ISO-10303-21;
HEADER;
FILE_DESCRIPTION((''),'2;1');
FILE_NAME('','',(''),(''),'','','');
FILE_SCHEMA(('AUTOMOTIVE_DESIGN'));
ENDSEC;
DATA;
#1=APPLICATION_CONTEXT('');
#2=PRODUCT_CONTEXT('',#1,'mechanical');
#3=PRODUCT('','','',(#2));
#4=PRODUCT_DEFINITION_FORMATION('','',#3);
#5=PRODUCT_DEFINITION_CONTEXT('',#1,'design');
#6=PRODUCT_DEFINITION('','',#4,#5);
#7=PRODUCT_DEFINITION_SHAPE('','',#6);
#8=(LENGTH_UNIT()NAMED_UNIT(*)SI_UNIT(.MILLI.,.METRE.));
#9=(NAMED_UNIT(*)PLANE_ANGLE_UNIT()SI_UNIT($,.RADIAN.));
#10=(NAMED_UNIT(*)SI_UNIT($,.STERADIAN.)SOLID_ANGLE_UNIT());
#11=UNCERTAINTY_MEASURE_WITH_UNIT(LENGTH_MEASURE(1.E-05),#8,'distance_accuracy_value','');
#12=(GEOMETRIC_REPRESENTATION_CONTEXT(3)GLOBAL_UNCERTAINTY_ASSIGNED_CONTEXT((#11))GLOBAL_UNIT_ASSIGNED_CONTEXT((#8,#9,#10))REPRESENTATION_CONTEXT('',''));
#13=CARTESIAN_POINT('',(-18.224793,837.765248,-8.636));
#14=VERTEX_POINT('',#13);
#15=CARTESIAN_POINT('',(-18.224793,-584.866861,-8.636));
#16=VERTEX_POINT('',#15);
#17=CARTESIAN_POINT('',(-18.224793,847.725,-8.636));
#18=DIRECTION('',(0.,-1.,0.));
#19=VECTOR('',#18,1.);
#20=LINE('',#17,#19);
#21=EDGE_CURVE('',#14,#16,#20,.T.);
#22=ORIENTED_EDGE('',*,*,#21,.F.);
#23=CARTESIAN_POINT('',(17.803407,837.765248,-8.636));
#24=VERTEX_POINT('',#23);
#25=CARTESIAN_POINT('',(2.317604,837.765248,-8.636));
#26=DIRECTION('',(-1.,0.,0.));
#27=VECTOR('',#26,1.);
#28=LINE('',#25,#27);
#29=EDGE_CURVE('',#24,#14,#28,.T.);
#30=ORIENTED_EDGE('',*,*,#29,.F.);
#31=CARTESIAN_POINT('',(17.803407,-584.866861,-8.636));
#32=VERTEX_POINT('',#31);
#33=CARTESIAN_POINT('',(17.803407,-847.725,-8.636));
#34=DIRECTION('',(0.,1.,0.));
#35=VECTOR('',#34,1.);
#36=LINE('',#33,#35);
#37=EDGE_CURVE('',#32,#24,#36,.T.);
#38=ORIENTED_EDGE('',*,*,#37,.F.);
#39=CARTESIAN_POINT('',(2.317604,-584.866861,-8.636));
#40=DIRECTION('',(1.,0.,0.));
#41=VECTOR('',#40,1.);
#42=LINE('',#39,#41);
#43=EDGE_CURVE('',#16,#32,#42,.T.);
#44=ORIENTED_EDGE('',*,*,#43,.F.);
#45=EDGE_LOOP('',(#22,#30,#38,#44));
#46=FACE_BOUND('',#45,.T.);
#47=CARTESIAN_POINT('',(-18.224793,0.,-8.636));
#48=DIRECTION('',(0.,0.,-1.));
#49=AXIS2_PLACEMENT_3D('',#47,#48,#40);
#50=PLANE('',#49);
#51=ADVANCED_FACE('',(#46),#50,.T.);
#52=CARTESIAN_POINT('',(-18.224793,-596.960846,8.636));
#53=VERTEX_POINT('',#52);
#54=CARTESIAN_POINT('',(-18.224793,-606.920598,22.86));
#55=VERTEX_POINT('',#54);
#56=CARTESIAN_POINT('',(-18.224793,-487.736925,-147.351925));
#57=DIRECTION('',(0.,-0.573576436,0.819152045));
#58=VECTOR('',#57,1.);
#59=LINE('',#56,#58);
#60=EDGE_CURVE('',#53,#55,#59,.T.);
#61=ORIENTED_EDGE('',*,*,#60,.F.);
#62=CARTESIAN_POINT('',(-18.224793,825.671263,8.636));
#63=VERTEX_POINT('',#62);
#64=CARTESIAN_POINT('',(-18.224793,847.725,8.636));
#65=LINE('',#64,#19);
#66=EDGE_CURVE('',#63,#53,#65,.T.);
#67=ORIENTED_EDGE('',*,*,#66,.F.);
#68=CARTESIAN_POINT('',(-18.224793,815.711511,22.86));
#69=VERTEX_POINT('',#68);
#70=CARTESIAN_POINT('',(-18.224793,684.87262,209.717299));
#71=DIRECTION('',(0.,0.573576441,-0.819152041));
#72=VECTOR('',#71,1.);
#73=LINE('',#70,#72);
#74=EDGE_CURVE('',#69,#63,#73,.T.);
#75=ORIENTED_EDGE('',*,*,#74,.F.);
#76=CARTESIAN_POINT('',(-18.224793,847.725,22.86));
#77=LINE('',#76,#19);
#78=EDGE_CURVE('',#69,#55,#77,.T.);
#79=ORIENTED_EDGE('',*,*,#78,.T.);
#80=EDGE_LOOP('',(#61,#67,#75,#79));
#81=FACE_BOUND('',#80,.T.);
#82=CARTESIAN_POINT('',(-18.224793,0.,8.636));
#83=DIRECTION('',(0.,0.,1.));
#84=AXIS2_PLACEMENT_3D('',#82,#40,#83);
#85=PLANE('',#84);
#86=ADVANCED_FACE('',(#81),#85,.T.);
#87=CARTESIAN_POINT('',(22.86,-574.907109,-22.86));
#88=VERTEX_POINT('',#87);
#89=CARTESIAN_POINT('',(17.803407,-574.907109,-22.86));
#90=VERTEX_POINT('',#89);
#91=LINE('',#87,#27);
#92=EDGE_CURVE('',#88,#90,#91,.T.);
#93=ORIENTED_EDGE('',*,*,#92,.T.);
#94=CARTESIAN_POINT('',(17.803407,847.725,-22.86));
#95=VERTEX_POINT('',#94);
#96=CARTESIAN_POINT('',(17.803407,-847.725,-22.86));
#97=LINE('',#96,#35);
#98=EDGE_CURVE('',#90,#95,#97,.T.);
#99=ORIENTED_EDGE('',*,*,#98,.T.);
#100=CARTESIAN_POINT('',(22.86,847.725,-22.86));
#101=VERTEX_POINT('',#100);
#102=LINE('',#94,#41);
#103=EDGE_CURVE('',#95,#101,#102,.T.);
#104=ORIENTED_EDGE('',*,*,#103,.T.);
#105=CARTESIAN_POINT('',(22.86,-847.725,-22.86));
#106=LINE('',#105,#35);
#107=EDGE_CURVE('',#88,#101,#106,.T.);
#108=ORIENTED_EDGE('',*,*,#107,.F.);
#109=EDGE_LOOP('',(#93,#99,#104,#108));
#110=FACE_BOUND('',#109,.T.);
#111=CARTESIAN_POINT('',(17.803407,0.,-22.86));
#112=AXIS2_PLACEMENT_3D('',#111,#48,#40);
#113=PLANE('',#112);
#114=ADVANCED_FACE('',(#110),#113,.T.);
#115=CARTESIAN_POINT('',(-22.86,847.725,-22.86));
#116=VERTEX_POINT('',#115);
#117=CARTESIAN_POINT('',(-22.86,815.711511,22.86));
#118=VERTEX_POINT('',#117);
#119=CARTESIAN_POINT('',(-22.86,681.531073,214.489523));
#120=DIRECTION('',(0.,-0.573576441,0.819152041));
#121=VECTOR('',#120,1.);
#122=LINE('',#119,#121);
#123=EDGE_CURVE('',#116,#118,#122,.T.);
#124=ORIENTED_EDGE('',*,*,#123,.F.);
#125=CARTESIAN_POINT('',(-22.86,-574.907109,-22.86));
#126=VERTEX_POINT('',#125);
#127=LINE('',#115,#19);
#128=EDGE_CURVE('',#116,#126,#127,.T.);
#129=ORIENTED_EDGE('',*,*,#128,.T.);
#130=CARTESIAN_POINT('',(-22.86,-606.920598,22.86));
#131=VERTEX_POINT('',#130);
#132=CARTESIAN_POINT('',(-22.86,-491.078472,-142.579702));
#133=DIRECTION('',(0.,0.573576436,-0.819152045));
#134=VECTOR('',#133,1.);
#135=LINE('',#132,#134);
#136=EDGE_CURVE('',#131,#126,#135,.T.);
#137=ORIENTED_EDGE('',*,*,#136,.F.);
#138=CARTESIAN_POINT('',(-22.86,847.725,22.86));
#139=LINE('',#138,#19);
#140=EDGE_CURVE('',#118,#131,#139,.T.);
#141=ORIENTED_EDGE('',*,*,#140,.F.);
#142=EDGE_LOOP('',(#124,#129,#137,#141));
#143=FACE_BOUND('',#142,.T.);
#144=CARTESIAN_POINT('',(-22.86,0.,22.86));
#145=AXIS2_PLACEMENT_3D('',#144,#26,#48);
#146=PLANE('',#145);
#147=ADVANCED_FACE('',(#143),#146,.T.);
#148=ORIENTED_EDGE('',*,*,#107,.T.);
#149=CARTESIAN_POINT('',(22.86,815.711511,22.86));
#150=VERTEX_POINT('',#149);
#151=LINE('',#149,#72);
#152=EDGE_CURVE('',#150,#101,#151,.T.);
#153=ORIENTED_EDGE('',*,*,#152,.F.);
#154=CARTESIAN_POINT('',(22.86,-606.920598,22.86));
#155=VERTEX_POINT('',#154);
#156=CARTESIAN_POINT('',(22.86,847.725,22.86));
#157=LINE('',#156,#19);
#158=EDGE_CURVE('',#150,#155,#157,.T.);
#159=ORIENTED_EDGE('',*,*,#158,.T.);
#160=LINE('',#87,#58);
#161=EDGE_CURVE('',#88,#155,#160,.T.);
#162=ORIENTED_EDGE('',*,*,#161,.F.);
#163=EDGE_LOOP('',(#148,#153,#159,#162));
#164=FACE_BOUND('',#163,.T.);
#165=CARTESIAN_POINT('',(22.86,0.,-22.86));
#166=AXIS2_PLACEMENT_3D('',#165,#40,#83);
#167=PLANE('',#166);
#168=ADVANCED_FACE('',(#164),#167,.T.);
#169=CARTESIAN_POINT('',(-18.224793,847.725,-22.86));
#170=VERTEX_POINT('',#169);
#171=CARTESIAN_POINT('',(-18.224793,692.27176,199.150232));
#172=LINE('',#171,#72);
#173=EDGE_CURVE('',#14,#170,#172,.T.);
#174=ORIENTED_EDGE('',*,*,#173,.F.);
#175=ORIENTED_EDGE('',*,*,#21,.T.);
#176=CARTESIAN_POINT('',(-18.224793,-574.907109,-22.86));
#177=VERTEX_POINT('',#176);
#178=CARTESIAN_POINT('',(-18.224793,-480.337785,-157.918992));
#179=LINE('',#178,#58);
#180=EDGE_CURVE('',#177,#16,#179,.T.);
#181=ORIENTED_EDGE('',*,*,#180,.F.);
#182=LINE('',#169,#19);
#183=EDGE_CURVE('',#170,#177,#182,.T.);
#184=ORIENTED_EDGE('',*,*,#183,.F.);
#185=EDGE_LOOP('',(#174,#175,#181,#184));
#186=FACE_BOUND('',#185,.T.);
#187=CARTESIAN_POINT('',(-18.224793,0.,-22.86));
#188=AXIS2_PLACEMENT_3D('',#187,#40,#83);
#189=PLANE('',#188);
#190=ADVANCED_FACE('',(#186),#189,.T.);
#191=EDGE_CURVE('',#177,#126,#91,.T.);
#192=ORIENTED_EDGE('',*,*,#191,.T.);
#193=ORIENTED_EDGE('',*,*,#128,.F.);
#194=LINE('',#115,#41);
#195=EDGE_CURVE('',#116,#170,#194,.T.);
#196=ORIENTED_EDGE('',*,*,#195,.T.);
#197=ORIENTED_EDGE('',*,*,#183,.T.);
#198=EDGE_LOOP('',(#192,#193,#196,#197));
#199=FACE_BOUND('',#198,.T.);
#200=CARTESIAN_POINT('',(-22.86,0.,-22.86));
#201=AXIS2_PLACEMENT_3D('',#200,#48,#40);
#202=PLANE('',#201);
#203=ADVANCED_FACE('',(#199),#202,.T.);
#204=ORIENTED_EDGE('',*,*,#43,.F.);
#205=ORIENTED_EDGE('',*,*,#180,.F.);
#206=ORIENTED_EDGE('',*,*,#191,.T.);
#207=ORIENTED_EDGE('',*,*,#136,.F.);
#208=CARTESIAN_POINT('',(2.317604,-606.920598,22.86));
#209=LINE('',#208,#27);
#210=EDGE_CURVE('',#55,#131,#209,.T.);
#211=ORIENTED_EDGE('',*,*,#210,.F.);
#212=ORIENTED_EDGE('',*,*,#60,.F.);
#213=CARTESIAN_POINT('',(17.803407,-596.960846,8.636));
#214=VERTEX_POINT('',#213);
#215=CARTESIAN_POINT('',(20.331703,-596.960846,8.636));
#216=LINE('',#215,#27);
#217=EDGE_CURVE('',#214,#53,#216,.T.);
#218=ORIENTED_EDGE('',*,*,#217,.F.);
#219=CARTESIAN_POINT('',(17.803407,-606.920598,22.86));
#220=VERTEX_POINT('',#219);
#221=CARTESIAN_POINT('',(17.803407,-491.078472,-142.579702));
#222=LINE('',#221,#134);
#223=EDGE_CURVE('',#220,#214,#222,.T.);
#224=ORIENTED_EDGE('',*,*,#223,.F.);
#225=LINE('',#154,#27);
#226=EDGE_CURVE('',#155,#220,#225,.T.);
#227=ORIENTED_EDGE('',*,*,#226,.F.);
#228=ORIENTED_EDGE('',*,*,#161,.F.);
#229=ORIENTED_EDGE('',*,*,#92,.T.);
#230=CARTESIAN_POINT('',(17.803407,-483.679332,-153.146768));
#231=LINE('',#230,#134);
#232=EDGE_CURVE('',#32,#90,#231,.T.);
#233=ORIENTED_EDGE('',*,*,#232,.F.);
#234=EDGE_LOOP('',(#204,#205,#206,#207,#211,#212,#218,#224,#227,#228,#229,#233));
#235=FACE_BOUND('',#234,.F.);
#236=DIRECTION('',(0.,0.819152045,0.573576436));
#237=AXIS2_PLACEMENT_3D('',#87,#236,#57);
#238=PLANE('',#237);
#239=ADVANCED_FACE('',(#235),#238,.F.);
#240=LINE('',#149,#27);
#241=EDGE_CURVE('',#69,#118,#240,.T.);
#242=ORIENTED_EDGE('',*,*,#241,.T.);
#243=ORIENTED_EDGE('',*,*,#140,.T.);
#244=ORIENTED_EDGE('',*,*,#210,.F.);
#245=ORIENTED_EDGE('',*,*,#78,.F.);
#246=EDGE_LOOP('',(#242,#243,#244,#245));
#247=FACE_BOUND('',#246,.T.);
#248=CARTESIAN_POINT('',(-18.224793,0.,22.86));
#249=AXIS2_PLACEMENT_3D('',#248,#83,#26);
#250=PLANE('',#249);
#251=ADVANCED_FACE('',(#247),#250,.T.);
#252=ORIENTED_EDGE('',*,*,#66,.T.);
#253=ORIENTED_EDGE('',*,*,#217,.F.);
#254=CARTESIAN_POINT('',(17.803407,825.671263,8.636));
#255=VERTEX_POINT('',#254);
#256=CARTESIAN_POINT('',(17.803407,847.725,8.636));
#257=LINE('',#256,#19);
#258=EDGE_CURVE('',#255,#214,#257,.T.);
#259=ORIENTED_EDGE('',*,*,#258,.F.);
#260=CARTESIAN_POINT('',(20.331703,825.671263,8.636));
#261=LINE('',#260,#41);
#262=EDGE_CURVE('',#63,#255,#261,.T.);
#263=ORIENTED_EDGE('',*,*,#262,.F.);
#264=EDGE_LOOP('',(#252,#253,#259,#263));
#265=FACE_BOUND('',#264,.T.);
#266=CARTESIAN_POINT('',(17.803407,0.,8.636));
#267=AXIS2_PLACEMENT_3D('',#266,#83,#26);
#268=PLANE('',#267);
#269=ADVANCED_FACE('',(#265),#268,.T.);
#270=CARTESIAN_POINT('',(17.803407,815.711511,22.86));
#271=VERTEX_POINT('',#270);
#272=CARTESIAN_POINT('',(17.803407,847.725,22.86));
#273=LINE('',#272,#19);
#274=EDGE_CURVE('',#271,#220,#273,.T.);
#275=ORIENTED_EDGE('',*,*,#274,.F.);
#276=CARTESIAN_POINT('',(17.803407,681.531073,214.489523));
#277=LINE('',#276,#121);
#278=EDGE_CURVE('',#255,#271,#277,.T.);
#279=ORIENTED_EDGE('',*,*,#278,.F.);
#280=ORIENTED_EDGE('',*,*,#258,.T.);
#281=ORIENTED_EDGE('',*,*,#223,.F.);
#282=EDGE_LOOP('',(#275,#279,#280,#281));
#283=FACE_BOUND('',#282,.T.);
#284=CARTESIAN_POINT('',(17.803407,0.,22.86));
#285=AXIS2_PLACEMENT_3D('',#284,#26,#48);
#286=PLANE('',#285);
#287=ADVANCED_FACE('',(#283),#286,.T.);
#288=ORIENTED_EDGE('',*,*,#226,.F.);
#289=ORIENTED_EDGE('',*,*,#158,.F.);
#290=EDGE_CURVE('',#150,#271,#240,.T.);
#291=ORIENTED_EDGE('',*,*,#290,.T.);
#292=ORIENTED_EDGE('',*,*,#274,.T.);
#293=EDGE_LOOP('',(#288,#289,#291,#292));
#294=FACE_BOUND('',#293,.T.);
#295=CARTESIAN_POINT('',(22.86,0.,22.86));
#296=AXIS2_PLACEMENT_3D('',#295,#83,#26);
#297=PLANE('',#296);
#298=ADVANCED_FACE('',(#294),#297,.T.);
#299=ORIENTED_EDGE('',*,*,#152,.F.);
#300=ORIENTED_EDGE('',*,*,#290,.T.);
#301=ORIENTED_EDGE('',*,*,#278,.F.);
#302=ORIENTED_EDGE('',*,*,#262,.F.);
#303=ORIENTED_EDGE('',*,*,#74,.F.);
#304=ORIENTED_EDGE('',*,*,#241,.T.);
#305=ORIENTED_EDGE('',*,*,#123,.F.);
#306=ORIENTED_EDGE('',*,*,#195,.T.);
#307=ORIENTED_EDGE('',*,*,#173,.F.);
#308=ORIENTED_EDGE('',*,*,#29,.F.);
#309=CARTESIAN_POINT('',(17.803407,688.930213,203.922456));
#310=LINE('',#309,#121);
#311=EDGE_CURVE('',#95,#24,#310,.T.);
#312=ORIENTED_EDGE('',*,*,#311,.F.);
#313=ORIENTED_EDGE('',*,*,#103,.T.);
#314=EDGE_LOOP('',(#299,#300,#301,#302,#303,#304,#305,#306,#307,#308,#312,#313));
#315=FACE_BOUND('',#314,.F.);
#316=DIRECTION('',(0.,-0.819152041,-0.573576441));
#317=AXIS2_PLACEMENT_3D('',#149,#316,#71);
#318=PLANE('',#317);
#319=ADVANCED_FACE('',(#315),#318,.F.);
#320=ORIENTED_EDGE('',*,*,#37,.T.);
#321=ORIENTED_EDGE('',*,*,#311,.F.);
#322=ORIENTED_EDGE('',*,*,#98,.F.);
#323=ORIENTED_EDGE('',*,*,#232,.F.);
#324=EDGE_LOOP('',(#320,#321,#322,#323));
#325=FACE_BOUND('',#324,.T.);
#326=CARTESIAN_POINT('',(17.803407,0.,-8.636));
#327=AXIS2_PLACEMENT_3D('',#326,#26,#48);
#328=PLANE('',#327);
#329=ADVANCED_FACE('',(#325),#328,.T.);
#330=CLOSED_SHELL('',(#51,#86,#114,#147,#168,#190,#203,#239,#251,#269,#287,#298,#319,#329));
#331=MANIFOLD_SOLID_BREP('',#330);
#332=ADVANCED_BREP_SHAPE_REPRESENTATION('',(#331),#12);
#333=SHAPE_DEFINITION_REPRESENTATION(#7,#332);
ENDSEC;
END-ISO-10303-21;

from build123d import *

# Parameters (mm, degrees)
F1_DEPTH = 847.725
F3_DEPTH = 45.721


with BuildPart() as f1:
    # F0 (on Front) → F1 (new body, symmetric)
    with BuildSketch(Plane.XZ):
        Polygon((22.86, -22.86), (22.86, 22.86), (17.803407, 22.86), (17.803407, 8.636), (-18.224793, 8.636), (-18.224793, 22.86), (-22.86, 22.86), (-22.86, -22.86), (-18.224793, -22.86), (-18.224793, -8.636), (17.803407, -8.636), (17.803407, -22.86), align=None)
    extrude(amount=F1_DEPTH, both=True)

    # F2 (on face) → F3 (cut, through all)
    with BuildSketch(Plane.YZ.offset(22.86)):
        Polygon((-574.907109, -22.86), (-847.725, 366.764328), (-847.725, -22.86), align=None)
        Polygon((815.711511, 22.86), (847.725, -22.86), (847.725, 22.86), align=None)
    extrude(amount=-F3_DEPTH, mode=Mode.SUBTRACT)


solid = f1.part
